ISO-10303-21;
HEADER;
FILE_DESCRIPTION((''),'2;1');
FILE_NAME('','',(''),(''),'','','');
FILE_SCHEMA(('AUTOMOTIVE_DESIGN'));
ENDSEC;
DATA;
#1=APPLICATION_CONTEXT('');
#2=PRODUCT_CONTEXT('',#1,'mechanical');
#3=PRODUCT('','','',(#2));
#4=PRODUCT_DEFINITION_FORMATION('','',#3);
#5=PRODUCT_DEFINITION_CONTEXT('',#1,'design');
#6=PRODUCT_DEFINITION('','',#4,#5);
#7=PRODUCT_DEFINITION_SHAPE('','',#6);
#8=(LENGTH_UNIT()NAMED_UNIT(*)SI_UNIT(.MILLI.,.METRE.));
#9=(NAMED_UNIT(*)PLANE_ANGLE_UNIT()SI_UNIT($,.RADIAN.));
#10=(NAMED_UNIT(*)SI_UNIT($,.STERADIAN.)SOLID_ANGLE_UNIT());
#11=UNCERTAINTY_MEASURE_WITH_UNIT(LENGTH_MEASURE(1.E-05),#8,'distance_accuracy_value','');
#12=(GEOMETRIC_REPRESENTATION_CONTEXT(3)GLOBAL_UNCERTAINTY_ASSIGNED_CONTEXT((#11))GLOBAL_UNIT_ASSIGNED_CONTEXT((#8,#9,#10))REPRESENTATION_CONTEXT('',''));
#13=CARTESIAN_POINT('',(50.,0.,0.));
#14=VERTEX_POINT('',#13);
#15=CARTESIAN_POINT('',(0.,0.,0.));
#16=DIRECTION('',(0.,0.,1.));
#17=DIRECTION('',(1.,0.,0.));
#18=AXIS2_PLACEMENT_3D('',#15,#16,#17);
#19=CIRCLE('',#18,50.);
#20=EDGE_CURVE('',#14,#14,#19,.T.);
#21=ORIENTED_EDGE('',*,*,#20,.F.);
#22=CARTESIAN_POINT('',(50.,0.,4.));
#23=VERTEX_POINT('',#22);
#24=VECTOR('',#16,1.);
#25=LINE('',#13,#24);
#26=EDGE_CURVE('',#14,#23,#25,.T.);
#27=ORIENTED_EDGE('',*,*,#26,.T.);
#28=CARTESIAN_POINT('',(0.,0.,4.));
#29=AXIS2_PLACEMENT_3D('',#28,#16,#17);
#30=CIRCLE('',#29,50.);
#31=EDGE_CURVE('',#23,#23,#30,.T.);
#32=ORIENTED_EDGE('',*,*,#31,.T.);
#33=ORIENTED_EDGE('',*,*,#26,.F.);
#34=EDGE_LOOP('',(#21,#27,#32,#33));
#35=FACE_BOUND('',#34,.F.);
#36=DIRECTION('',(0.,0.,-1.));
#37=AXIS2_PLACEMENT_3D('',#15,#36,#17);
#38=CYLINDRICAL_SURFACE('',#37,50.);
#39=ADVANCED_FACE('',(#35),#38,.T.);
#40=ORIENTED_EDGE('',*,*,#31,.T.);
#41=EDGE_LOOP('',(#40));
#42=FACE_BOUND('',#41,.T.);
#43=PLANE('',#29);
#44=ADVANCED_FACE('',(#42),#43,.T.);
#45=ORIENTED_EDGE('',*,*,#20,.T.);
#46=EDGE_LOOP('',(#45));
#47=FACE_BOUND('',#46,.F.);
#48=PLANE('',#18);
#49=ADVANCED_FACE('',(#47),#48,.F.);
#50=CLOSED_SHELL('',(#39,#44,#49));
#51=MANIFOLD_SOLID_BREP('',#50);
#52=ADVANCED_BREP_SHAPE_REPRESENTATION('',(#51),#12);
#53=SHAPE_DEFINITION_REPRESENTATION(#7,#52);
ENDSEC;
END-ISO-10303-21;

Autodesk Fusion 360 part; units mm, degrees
sketch "Sketch1" plane through (0, 0, 0) normal (0, 0, 1) x (1, 0, 0)
  circle A0 centre (0, 0) radius 50
  dimension "d1" = 100
extrude "Extrude1" add sketch "Sketch1" along normal blind 4
